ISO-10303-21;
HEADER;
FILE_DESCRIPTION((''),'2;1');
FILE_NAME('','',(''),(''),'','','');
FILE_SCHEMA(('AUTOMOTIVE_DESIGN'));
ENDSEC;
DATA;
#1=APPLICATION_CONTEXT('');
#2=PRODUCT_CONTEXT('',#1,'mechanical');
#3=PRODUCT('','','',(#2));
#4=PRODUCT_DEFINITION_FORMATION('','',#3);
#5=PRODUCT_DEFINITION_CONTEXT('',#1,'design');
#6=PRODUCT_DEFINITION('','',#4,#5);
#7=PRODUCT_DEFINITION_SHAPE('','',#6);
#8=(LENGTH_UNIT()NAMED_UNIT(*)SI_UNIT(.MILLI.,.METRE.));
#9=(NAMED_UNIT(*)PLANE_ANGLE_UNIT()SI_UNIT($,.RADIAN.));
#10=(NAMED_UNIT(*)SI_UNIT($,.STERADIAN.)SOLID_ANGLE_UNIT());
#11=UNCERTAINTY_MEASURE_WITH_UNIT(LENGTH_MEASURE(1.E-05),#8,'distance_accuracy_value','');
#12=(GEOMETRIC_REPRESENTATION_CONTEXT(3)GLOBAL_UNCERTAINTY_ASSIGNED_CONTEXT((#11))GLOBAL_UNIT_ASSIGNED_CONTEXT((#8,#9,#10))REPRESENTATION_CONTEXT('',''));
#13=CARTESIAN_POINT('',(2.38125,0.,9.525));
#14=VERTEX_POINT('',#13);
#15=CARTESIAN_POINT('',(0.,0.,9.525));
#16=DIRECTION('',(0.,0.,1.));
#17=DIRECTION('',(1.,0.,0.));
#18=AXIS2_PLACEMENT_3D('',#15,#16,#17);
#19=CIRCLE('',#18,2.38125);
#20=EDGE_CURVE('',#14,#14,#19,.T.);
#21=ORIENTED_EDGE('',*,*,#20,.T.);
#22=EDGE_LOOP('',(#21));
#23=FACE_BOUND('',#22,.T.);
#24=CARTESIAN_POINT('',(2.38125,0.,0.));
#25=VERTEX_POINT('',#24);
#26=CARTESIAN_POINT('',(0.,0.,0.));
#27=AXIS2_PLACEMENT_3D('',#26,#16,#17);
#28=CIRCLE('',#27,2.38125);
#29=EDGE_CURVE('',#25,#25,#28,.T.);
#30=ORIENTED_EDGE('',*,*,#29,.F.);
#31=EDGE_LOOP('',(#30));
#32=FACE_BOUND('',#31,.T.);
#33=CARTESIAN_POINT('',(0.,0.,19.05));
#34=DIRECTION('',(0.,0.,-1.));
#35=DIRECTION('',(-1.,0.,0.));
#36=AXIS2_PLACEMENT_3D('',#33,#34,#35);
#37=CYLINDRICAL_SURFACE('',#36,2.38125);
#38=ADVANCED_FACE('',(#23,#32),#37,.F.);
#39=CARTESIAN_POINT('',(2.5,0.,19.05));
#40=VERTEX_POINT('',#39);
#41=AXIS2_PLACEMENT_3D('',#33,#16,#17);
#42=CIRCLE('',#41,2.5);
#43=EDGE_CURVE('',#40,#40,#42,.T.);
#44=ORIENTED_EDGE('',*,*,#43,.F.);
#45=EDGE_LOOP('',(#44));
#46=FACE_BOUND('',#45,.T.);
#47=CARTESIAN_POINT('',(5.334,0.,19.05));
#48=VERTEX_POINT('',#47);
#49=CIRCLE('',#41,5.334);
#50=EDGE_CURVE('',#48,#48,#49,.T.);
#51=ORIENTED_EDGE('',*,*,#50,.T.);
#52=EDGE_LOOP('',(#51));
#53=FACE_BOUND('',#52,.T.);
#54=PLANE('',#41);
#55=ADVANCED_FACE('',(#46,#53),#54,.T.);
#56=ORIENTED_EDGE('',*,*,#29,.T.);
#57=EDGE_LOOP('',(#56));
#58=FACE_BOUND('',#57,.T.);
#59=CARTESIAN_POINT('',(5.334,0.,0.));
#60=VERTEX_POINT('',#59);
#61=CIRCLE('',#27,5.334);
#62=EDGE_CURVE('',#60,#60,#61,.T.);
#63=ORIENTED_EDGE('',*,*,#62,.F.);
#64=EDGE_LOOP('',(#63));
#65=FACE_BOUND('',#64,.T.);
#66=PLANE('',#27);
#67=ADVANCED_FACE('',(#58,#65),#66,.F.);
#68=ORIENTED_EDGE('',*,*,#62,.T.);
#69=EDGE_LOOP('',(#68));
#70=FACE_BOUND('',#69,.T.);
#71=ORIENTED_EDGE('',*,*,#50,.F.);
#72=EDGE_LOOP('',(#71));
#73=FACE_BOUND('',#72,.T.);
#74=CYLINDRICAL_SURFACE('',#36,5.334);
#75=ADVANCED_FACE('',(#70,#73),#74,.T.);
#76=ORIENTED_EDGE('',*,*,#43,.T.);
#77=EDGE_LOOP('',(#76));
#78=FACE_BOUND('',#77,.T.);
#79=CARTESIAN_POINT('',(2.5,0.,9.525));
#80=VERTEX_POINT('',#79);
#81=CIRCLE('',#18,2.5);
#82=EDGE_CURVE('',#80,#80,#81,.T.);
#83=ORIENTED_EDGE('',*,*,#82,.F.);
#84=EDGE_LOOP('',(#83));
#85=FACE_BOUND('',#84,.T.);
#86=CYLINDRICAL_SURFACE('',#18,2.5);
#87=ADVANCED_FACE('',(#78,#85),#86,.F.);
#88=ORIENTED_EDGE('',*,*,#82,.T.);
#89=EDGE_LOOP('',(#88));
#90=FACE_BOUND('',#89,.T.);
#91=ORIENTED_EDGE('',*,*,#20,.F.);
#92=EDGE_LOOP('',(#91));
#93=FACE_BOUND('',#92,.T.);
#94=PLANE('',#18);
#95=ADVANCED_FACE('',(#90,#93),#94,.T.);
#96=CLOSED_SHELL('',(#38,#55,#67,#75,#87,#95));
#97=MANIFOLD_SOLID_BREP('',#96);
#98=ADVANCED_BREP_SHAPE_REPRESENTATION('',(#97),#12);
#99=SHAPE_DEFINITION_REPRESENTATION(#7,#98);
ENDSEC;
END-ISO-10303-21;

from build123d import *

# Parameters (mm, degrees)
SKETCH1_R           = 5.334
SKETCH1_R_2         = 2.38125
BOSS_EXTRUDE1_DEPTH = 19.05
SKETCH2_R           = 2.5
CUT_EXTRUDE1_DEPTH  = 9.525


with BuildPart() as part:
    # Sketch1 → Boss-Extrude1 (new body)
    with BuildSketch(Plane.XY):
        Circle(SKETCH1_R)
        Circle(SKETCH1_R_2, mode=Mode.SUBTRACT)
    extrude(amount=BOSS_EXTRUDE1_DEPTH)

    # Sketch2 → Cut-Extrude1 (cut, symmetric)
    with BuildSketch(Plane.XY.offset(19.05)):
        Circle(SKETCH2_R)
    extrude(amount=CUT_EXTRUDE1_DEPTH, both=True, mode=Mode.SUBTRACT)


solid = part.part
